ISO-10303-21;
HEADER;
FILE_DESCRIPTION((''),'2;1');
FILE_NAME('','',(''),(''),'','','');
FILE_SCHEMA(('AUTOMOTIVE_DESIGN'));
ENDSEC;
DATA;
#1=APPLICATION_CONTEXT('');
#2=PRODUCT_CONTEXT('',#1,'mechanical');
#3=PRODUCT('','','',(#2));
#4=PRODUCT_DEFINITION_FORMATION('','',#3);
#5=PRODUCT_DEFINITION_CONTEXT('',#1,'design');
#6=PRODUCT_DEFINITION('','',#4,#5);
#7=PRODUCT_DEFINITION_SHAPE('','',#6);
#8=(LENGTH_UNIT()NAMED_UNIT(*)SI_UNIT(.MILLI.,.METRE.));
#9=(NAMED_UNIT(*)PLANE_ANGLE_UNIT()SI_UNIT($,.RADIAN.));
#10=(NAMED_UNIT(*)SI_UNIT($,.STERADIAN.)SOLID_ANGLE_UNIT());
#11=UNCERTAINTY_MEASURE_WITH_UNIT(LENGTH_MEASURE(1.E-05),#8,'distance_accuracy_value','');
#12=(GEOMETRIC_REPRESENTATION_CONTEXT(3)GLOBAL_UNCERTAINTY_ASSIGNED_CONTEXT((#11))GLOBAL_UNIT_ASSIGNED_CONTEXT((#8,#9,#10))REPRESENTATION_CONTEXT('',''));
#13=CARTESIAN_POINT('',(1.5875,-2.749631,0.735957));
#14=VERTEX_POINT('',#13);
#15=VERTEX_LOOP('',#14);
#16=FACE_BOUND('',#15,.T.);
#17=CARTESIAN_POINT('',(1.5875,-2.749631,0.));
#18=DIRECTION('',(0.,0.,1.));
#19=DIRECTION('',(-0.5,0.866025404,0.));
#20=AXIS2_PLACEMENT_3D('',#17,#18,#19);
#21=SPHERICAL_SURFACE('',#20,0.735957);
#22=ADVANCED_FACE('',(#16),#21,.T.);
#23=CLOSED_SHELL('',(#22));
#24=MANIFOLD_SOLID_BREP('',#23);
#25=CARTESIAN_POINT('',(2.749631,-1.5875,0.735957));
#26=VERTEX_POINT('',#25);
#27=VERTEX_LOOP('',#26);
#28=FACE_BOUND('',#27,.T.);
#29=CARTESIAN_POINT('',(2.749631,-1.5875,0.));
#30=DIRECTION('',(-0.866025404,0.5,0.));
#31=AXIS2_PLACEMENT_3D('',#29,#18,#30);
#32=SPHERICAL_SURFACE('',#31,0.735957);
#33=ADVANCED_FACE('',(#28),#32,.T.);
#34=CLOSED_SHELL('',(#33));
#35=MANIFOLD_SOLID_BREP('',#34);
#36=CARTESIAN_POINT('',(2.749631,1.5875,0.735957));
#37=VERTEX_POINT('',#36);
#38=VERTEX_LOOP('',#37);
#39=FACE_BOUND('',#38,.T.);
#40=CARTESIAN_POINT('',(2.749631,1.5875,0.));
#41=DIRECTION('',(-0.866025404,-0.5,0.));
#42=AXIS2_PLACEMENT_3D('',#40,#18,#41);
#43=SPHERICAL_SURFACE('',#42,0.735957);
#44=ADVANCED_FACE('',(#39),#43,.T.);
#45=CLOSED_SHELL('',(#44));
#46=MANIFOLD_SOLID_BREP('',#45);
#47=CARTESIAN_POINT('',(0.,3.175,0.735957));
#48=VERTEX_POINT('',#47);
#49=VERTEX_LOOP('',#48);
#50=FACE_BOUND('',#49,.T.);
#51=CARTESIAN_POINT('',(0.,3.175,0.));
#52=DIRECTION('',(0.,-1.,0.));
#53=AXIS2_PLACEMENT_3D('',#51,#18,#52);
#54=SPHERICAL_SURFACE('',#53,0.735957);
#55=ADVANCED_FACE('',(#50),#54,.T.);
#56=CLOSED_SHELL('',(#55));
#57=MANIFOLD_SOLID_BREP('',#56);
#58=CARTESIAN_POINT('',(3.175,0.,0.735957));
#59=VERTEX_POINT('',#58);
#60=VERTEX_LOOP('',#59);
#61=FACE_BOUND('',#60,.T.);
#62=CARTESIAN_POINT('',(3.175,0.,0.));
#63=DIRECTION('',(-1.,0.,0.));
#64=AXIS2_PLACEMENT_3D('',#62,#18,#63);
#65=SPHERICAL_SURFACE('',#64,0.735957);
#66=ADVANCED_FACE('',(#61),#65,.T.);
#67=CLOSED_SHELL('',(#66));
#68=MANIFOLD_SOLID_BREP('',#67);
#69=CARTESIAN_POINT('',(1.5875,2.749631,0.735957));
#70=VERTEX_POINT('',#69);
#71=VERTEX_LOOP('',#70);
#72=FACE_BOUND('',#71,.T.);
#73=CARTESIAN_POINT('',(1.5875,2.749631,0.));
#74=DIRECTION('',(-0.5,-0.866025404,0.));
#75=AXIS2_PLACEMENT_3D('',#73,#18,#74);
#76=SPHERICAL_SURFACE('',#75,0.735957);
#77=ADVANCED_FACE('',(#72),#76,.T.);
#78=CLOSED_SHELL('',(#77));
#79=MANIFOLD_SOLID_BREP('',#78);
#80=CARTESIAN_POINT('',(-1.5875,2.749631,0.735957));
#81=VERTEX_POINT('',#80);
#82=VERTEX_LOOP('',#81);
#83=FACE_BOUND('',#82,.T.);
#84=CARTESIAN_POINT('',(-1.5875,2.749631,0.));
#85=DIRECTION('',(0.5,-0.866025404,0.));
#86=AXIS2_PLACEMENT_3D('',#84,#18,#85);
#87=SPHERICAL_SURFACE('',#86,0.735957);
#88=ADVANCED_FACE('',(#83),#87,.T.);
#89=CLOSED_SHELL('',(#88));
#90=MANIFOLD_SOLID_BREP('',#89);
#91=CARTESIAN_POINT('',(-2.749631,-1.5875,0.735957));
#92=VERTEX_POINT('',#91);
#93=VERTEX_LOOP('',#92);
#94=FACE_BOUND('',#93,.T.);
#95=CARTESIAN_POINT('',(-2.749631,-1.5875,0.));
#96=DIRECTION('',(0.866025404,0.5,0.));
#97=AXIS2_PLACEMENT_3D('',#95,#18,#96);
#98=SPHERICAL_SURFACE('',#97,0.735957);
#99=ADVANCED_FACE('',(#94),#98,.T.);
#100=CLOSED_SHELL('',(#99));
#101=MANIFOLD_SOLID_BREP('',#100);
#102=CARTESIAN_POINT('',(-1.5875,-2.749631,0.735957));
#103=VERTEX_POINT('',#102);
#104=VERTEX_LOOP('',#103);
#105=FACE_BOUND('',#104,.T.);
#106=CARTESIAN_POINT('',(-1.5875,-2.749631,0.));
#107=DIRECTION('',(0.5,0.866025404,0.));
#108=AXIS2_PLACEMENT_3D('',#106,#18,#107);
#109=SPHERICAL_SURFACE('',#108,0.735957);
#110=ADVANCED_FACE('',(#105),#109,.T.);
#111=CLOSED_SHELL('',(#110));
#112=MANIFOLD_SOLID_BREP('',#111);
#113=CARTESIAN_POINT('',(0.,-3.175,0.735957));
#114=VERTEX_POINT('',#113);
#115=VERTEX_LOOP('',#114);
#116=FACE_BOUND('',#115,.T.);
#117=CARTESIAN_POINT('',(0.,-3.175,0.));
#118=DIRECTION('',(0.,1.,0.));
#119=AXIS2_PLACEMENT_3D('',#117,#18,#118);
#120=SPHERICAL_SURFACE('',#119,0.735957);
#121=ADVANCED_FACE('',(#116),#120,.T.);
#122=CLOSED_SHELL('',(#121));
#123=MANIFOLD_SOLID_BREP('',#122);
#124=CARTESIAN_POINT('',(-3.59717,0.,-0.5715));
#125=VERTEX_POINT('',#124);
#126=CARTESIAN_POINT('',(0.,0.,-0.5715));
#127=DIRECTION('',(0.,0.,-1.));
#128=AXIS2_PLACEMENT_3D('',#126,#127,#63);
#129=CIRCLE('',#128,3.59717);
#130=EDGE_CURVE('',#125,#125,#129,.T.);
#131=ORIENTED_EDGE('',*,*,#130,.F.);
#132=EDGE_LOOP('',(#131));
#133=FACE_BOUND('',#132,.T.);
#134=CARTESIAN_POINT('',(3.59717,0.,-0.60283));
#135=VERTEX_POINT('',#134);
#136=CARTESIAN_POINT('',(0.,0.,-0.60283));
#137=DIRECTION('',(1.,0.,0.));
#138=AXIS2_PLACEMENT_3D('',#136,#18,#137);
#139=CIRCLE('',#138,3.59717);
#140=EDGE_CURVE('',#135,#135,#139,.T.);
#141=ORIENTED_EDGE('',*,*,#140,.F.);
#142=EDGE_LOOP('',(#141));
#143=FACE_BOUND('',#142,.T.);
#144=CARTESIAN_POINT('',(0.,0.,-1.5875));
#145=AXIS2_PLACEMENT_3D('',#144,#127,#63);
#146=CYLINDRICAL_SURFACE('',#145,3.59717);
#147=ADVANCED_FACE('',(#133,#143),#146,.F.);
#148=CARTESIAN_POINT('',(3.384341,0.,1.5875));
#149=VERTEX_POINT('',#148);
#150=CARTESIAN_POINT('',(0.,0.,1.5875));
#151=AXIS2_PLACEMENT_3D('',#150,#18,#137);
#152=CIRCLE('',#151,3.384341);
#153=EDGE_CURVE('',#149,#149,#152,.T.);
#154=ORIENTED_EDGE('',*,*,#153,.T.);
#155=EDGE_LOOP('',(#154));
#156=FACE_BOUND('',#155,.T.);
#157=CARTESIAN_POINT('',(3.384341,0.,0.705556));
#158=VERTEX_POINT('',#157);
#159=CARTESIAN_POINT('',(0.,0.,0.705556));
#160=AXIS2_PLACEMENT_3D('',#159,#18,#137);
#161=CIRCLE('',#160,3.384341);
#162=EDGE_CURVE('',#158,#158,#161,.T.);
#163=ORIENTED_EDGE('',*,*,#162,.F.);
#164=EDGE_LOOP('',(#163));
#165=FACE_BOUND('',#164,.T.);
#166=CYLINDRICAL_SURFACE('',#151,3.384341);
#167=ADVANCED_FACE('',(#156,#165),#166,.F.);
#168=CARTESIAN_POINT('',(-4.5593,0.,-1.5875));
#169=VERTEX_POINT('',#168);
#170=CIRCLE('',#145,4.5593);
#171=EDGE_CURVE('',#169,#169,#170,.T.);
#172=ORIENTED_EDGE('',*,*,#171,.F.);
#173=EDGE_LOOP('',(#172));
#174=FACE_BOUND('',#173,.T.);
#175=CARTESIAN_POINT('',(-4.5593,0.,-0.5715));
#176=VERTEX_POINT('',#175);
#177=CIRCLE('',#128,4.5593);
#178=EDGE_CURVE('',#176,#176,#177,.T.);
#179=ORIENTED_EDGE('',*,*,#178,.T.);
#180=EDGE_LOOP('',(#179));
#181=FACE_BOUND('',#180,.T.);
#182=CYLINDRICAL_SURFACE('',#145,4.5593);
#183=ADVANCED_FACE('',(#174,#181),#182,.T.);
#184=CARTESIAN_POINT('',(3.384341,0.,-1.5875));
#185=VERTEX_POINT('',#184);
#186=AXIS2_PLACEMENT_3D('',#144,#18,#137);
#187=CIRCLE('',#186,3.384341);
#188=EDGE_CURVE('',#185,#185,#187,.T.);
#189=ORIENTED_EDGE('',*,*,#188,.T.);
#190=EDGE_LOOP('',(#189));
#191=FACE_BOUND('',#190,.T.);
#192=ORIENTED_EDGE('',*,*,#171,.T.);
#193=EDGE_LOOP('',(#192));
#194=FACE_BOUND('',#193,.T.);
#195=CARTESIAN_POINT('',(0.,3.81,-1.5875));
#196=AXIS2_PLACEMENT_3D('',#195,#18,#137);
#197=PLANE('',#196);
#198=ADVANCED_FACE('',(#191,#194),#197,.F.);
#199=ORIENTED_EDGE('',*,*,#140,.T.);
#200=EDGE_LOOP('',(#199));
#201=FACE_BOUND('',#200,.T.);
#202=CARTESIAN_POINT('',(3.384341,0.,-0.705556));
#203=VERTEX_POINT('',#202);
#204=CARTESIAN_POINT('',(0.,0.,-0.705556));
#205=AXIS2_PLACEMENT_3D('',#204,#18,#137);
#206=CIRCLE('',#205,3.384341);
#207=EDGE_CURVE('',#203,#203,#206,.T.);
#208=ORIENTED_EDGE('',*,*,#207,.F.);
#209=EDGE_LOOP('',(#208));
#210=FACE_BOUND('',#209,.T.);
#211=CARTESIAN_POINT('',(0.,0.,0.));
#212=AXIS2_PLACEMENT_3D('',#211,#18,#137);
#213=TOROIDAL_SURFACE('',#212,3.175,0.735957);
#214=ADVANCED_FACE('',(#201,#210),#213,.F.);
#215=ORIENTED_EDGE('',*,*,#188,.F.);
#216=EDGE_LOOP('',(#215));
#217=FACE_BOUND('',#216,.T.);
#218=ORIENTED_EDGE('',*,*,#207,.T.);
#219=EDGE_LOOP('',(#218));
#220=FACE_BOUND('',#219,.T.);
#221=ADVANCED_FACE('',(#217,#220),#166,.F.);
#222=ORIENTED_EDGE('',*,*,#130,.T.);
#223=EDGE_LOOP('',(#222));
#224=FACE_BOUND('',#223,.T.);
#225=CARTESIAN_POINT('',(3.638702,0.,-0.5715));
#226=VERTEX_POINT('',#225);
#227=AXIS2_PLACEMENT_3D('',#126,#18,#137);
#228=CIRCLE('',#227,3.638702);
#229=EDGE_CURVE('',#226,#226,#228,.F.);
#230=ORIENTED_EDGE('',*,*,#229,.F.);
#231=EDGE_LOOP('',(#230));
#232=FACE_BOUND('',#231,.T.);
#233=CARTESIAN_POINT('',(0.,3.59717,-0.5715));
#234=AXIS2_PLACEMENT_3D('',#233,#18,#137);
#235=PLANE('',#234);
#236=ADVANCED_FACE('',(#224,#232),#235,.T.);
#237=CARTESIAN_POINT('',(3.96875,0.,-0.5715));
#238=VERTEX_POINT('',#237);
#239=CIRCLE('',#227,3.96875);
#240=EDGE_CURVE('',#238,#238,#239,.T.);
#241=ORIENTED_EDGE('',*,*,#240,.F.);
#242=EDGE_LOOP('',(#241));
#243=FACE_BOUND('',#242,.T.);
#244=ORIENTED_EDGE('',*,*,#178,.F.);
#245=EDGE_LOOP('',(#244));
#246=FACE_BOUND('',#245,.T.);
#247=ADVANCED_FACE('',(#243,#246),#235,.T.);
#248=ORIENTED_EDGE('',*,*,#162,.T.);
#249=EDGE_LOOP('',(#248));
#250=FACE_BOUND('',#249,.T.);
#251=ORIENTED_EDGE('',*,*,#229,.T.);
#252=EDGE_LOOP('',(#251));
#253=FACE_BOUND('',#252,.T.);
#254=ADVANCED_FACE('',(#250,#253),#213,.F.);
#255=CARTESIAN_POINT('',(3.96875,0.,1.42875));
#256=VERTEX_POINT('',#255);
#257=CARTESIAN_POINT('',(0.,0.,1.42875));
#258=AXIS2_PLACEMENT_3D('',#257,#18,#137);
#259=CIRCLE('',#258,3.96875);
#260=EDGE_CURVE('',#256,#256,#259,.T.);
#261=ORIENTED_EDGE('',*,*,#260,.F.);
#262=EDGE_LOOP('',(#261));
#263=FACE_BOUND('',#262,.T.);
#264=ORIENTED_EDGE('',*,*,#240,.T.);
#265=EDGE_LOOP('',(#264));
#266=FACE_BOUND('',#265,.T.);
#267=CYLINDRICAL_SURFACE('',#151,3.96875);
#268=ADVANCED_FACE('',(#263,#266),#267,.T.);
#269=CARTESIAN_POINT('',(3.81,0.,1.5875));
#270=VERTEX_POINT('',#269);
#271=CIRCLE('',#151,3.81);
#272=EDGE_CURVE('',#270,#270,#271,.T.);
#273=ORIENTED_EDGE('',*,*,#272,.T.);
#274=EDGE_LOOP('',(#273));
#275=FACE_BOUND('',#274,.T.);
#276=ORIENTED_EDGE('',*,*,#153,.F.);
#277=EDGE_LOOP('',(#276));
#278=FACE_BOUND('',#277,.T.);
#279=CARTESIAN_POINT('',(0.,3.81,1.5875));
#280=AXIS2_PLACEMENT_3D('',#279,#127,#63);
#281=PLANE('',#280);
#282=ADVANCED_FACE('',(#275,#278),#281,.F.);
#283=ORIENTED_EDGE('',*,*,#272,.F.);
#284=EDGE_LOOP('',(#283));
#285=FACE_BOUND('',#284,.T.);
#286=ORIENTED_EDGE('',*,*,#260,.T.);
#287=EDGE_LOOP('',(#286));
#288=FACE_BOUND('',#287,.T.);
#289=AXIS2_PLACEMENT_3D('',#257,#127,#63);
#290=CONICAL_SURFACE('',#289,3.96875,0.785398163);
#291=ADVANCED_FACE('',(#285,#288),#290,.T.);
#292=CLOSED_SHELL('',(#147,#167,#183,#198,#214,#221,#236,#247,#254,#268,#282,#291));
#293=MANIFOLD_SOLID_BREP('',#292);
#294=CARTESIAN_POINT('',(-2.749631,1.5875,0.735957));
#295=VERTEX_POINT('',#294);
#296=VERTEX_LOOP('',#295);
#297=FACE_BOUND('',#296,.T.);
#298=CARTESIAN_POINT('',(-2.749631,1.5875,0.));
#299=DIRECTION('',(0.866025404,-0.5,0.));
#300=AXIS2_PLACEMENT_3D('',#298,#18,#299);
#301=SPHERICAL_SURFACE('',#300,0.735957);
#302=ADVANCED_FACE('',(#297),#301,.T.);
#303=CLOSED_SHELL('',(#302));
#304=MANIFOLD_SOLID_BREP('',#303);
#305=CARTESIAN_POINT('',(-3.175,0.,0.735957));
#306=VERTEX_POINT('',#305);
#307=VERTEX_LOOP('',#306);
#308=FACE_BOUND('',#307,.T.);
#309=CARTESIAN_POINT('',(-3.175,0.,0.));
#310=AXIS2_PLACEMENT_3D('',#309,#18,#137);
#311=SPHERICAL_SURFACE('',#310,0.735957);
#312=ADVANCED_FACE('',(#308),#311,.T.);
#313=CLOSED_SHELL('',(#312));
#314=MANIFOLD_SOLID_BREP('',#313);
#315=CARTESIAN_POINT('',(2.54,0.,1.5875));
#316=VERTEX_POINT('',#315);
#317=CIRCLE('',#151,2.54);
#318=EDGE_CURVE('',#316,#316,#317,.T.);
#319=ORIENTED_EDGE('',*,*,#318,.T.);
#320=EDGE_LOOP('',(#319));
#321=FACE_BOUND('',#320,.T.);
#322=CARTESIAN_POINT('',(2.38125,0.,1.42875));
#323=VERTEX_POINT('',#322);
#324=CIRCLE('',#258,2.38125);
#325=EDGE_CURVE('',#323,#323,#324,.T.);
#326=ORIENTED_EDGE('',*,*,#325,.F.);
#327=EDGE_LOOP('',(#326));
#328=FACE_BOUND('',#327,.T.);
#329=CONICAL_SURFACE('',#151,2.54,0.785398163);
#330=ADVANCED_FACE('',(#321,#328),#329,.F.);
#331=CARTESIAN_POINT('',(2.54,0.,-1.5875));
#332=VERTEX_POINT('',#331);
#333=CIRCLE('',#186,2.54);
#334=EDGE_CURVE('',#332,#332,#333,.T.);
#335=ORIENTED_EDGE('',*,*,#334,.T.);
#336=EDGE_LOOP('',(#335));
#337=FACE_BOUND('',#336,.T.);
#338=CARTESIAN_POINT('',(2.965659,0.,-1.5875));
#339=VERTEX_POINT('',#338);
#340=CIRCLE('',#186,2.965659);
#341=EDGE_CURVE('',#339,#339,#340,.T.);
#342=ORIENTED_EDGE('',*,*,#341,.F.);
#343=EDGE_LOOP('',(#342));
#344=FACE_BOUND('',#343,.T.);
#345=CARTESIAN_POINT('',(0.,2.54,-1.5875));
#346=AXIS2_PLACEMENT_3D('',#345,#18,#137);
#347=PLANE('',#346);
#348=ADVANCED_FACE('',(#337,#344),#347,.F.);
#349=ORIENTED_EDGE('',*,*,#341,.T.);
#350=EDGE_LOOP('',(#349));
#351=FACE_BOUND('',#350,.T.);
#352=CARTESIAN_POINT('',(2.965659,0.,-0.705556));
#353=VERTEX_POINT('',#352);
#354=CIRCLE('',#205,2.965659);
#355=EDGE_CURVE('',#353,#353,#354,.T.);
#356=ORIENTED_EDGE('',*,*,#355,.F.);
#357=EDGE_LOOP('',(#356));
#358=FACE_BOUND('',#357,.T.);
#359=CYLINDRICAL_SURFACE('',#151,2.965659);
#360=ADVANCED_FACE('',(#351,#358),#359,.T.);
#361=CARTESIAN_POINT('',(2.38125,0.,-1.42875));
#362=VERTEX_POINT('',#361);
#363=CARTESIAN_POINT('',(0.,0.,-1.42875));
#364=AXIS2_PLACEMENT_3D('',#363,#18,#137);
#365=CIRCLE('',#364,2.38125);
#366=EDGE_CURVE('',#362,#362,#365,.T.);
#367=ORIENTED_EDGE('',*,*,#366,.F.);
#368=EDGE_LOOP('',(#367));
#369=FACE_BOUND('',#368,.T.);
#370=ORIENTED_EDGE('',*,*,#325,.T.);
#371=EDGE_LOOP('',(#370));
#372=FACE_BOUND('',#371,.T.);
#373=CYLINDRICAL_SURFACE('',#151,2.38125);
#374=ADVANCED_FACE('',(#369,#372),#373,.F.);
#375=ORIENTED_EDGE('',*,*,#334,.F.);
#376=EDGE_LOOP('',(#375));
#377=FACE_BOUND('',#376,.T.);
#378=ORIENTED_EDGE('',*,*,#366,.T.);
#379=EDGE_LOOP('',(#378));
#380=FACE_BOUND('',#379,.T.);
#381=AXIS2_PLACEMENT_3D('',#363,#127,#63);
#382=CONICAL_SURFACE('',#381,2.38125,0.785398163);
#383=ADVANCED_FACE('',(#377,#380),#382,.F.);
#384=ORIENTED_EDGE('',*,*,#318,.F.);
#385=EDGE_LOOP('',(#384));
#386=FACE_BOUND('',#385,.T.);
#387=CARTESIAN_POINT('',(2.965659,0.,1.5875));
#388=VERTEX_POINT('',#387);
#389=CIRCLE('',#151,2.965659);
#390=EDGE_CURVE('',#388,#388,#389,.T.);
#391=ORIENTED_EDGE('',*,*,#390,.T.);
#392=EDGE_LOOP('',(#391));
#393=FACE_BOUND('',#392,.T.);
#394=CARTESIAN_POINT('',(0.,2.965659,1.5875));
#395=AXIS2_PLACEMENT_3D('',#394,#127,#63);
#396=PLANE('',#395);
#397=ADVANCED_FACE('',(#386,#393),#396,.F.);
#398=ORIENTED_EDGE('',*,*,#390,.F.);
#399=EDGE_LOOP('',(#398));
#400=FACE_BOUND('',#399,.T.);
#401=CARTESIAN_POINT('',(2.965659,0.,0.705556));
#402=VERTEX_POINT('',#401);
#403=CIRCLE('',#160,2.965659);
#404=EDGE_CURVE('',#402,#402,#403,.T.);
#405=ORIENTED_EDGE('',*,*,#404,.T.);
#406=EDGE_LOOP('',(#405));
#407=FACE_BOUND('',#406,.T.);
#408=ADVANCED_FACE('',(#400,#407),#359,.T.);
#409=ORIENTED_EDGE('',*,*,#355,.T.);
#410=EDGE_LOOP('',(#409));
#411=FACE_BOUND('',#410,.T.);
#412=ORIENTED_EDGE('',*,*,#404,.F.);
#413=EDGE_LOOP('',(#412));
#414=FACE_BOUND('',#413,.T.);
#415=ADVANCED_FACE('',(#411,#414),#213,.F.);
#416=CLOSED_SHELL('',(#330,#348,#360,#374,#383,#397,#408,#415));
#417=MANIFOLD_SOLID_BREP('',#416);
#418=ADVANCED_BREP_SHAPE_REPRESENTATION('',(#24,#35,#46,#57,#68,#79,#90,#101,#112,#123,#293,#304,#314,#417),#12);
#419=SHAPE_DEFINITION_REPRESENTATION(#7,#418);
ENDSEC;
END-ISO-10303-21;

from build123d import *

# Parameters (mm, degrees)
SKETCH5_W         = 1.016
SKETCH5_H         = 0.96212967
CIRPATTERN1_COUNT = 12


with BuildPart() as part:
    # Sketch1 → Revolve1 (revolve)
    with BuildSketch(Plane(origin=(0, 0, 0), x_dir=(0, 0, -1), z_dir=(1, 0, 0))):
        with BuildLine():
            Line((1.42875, 3.96875), (-1.42875, 3.96875))
            Line((-1.42875, 3.96875), (-1.5875, 3.81))
            Line((-1.5875, 3.81), (-1.5875, 3.384340659))
            Line((-1.5875, 3.384340659), (-0.705555556, 3.384340659))
            ThreePointArc((-0.705555556, 3.384340659), (0, 3.910956625), (0.705555556, 3.384340659))
            Line((0.705555556, 3.384340659), (1.5875, 3.384340659))
            Line((1.5875, 3.384340659), (1.5875, 3.81))
            Line((1.5875, 3.81), (1.42875, 3.96875))
        make_face()
    revolve(axis=Axis((0, 0, 1.5875), (0, 0, -1)))

    # Sketch5 → Revolve5 (revolve)
    with BuildSketch(Plane(origin=(0, 0, 0), x_dir=(0, 0, -1), z_dir=(1, 0, 0))):
        with Locations((1.0795, 4.078235165)):
            Rectangle(SKETCH5_W, SKETCH5_H)
    revolve(axis=Axis((0, 0, -1.5875), (0, 0, 1)))


with BuildPart() as body_2:
    # Sketch3 → Revolve3 (revolve)
    with BuildSketch(Plane(origin=(0, 0, 0), x_dir=(0, 0, -1), z_dir=(1, 0, 0))):
        with BuildLine():
            Line((-0.705555556, 2.965659341), (-1.5875, 2.965659341))
            Line((-1.5875, 2.965659341), (-1.5875, 2.54))
            Line((-1.5875, 2.54), (-1.42875, 2.38125))
            Line((-1.42875, 2.38125), (1.42875, 2.38125))
            Line((1.42875, 2.38125), (1.5875, 2.54))
            Line((1.5875, 2.54), (1.5875, 2.965659341))
            Line((1.5875, 2.965659341), (0.705555556, 2.965659341))
            ThreePointArc((0.705555556, 2.965659341), (0, 2.439043375), (-0.705555556, 2.965659341))
        make_face()
    revolve(axis=Axis((0, 0, 1.5875), (0, 0, -1)))


with BuildPart() as body_3:
    # Sketch4 → Revolve4 (revolve)
    with BuildSketch(Plane(origin=(0, 0, 0), x_dir=(0, 0, -1), z_dir=(1, 0, 0))):
        with BuildLine():
            Line((-0.735956625, 3.175), (0.735956625, 3.175))
            ThreePointArc((0.735956625, 3.175), (0, 3.910956625), (-0.735956625, 3.175))
        make_face()
    revolve(axis=Axis((0, 3.175, 0.735956625), (0, 0, -1)))


with BuildPart() as cirpattern1_1:
    # CirPattern1: pattern copy
    add(body_3.part.rotate(Axis((0, 0, -1.5875), (0, 0, 1)), 1 * 360 / CIRPATTERN1_COUNT))


with BuildPart() as cirpattern1_2:
    # CirPattern1: pattern copy
    add(body_3.part.rotate(Axis((0, 0, -1.5875), (0, 0, 1)), 2 * 360 / CIRPATTERN1_COUNT))


with BuildPart() as cirpattern1_3:
    # CirPattern1: pattern copy
    add(body_3.part.rotate(Axis((0, 0, -1.5875), (0, 0, 1)), 3 * 360 / CIRPATTERN1_COUNT))


with BuildPart() as cirpattern1_4:
    # CirPattern1: pattern copy
    add(body_3.part.rotate(Axis((0, 0, -1.5875), (0, 0, 1)), 4 * 360 / CIRPATTERN1_COUNT))


with BuildPart() as cirpattern1_5:
    # CirPattern1: pattern copy
    add(body_3.part.rotate(Axis((0, 0, -1.5875), (0, 0, 1)), 5 * 360 / CIRPATTERN1_COUNT))


with BuildPart() as cirpattern1_6:
    # CirPattern1: pattern copy
    add(body_3.part.rotate(Axis((0, 0, -1.5875), (0, 0, 1)), 6 * 360 / CIRPATTERN1_COUNT))


with BuildPart() as cirpattern1_7:
    # CirPattern1: pattern copy
    add(body_3.part.rotate(Axis((0, 0, -1.5875), (0, 0, 1)), 7 * 360 / CIRPATTERN1_COUNT))


with BuildPart() as cirpattern1_8:
    # CirPattern1: pattern copy
    add(body_3.part.rotate(Axis((0, 0, -1.5875), (0, 0, 1)), 8 * 360 / CIRPATTERN1_COUNT))


with BuildPart() as cirpattern1_9:
    # CirPattern1: pattern copy
    add(body_3.part.rotate(Axis((0, 0, -1.5875), (0, 0, 1)), 9 * 360 / CIRPATTERN1_COUNT))


with BuildPart() as cirpattern1_10:
    # CirPattern1: pattern copy
    add(body_3.part.rotate(Axis((0, 0, -1.5875), (0, 0, 1)), 10 * 360 / CIRPATTERN1_COUNT))


with BuildPart() as cirpattern1_11:
    # CirPattern1: pattern copy
    add(body_3.part.rotate(Axis((0, 0, -1.5875), (0, 0, 1)), 11 * 360 / CIRPATTERN1_COUNT))


solid = Compound([part.part, body_2.part, body_3.part, cirpattern1_1.part, cirpattern1_2.part, cirpattern1_3.part, cirpattern1_4.part, cirpattern1_5.part, cirpattern1_6.part, cirpattern1_7.part, cirpattern1_8.part, cirpattern1_9.part, cirpattern1_10.part, cirpattern1_11.part])
